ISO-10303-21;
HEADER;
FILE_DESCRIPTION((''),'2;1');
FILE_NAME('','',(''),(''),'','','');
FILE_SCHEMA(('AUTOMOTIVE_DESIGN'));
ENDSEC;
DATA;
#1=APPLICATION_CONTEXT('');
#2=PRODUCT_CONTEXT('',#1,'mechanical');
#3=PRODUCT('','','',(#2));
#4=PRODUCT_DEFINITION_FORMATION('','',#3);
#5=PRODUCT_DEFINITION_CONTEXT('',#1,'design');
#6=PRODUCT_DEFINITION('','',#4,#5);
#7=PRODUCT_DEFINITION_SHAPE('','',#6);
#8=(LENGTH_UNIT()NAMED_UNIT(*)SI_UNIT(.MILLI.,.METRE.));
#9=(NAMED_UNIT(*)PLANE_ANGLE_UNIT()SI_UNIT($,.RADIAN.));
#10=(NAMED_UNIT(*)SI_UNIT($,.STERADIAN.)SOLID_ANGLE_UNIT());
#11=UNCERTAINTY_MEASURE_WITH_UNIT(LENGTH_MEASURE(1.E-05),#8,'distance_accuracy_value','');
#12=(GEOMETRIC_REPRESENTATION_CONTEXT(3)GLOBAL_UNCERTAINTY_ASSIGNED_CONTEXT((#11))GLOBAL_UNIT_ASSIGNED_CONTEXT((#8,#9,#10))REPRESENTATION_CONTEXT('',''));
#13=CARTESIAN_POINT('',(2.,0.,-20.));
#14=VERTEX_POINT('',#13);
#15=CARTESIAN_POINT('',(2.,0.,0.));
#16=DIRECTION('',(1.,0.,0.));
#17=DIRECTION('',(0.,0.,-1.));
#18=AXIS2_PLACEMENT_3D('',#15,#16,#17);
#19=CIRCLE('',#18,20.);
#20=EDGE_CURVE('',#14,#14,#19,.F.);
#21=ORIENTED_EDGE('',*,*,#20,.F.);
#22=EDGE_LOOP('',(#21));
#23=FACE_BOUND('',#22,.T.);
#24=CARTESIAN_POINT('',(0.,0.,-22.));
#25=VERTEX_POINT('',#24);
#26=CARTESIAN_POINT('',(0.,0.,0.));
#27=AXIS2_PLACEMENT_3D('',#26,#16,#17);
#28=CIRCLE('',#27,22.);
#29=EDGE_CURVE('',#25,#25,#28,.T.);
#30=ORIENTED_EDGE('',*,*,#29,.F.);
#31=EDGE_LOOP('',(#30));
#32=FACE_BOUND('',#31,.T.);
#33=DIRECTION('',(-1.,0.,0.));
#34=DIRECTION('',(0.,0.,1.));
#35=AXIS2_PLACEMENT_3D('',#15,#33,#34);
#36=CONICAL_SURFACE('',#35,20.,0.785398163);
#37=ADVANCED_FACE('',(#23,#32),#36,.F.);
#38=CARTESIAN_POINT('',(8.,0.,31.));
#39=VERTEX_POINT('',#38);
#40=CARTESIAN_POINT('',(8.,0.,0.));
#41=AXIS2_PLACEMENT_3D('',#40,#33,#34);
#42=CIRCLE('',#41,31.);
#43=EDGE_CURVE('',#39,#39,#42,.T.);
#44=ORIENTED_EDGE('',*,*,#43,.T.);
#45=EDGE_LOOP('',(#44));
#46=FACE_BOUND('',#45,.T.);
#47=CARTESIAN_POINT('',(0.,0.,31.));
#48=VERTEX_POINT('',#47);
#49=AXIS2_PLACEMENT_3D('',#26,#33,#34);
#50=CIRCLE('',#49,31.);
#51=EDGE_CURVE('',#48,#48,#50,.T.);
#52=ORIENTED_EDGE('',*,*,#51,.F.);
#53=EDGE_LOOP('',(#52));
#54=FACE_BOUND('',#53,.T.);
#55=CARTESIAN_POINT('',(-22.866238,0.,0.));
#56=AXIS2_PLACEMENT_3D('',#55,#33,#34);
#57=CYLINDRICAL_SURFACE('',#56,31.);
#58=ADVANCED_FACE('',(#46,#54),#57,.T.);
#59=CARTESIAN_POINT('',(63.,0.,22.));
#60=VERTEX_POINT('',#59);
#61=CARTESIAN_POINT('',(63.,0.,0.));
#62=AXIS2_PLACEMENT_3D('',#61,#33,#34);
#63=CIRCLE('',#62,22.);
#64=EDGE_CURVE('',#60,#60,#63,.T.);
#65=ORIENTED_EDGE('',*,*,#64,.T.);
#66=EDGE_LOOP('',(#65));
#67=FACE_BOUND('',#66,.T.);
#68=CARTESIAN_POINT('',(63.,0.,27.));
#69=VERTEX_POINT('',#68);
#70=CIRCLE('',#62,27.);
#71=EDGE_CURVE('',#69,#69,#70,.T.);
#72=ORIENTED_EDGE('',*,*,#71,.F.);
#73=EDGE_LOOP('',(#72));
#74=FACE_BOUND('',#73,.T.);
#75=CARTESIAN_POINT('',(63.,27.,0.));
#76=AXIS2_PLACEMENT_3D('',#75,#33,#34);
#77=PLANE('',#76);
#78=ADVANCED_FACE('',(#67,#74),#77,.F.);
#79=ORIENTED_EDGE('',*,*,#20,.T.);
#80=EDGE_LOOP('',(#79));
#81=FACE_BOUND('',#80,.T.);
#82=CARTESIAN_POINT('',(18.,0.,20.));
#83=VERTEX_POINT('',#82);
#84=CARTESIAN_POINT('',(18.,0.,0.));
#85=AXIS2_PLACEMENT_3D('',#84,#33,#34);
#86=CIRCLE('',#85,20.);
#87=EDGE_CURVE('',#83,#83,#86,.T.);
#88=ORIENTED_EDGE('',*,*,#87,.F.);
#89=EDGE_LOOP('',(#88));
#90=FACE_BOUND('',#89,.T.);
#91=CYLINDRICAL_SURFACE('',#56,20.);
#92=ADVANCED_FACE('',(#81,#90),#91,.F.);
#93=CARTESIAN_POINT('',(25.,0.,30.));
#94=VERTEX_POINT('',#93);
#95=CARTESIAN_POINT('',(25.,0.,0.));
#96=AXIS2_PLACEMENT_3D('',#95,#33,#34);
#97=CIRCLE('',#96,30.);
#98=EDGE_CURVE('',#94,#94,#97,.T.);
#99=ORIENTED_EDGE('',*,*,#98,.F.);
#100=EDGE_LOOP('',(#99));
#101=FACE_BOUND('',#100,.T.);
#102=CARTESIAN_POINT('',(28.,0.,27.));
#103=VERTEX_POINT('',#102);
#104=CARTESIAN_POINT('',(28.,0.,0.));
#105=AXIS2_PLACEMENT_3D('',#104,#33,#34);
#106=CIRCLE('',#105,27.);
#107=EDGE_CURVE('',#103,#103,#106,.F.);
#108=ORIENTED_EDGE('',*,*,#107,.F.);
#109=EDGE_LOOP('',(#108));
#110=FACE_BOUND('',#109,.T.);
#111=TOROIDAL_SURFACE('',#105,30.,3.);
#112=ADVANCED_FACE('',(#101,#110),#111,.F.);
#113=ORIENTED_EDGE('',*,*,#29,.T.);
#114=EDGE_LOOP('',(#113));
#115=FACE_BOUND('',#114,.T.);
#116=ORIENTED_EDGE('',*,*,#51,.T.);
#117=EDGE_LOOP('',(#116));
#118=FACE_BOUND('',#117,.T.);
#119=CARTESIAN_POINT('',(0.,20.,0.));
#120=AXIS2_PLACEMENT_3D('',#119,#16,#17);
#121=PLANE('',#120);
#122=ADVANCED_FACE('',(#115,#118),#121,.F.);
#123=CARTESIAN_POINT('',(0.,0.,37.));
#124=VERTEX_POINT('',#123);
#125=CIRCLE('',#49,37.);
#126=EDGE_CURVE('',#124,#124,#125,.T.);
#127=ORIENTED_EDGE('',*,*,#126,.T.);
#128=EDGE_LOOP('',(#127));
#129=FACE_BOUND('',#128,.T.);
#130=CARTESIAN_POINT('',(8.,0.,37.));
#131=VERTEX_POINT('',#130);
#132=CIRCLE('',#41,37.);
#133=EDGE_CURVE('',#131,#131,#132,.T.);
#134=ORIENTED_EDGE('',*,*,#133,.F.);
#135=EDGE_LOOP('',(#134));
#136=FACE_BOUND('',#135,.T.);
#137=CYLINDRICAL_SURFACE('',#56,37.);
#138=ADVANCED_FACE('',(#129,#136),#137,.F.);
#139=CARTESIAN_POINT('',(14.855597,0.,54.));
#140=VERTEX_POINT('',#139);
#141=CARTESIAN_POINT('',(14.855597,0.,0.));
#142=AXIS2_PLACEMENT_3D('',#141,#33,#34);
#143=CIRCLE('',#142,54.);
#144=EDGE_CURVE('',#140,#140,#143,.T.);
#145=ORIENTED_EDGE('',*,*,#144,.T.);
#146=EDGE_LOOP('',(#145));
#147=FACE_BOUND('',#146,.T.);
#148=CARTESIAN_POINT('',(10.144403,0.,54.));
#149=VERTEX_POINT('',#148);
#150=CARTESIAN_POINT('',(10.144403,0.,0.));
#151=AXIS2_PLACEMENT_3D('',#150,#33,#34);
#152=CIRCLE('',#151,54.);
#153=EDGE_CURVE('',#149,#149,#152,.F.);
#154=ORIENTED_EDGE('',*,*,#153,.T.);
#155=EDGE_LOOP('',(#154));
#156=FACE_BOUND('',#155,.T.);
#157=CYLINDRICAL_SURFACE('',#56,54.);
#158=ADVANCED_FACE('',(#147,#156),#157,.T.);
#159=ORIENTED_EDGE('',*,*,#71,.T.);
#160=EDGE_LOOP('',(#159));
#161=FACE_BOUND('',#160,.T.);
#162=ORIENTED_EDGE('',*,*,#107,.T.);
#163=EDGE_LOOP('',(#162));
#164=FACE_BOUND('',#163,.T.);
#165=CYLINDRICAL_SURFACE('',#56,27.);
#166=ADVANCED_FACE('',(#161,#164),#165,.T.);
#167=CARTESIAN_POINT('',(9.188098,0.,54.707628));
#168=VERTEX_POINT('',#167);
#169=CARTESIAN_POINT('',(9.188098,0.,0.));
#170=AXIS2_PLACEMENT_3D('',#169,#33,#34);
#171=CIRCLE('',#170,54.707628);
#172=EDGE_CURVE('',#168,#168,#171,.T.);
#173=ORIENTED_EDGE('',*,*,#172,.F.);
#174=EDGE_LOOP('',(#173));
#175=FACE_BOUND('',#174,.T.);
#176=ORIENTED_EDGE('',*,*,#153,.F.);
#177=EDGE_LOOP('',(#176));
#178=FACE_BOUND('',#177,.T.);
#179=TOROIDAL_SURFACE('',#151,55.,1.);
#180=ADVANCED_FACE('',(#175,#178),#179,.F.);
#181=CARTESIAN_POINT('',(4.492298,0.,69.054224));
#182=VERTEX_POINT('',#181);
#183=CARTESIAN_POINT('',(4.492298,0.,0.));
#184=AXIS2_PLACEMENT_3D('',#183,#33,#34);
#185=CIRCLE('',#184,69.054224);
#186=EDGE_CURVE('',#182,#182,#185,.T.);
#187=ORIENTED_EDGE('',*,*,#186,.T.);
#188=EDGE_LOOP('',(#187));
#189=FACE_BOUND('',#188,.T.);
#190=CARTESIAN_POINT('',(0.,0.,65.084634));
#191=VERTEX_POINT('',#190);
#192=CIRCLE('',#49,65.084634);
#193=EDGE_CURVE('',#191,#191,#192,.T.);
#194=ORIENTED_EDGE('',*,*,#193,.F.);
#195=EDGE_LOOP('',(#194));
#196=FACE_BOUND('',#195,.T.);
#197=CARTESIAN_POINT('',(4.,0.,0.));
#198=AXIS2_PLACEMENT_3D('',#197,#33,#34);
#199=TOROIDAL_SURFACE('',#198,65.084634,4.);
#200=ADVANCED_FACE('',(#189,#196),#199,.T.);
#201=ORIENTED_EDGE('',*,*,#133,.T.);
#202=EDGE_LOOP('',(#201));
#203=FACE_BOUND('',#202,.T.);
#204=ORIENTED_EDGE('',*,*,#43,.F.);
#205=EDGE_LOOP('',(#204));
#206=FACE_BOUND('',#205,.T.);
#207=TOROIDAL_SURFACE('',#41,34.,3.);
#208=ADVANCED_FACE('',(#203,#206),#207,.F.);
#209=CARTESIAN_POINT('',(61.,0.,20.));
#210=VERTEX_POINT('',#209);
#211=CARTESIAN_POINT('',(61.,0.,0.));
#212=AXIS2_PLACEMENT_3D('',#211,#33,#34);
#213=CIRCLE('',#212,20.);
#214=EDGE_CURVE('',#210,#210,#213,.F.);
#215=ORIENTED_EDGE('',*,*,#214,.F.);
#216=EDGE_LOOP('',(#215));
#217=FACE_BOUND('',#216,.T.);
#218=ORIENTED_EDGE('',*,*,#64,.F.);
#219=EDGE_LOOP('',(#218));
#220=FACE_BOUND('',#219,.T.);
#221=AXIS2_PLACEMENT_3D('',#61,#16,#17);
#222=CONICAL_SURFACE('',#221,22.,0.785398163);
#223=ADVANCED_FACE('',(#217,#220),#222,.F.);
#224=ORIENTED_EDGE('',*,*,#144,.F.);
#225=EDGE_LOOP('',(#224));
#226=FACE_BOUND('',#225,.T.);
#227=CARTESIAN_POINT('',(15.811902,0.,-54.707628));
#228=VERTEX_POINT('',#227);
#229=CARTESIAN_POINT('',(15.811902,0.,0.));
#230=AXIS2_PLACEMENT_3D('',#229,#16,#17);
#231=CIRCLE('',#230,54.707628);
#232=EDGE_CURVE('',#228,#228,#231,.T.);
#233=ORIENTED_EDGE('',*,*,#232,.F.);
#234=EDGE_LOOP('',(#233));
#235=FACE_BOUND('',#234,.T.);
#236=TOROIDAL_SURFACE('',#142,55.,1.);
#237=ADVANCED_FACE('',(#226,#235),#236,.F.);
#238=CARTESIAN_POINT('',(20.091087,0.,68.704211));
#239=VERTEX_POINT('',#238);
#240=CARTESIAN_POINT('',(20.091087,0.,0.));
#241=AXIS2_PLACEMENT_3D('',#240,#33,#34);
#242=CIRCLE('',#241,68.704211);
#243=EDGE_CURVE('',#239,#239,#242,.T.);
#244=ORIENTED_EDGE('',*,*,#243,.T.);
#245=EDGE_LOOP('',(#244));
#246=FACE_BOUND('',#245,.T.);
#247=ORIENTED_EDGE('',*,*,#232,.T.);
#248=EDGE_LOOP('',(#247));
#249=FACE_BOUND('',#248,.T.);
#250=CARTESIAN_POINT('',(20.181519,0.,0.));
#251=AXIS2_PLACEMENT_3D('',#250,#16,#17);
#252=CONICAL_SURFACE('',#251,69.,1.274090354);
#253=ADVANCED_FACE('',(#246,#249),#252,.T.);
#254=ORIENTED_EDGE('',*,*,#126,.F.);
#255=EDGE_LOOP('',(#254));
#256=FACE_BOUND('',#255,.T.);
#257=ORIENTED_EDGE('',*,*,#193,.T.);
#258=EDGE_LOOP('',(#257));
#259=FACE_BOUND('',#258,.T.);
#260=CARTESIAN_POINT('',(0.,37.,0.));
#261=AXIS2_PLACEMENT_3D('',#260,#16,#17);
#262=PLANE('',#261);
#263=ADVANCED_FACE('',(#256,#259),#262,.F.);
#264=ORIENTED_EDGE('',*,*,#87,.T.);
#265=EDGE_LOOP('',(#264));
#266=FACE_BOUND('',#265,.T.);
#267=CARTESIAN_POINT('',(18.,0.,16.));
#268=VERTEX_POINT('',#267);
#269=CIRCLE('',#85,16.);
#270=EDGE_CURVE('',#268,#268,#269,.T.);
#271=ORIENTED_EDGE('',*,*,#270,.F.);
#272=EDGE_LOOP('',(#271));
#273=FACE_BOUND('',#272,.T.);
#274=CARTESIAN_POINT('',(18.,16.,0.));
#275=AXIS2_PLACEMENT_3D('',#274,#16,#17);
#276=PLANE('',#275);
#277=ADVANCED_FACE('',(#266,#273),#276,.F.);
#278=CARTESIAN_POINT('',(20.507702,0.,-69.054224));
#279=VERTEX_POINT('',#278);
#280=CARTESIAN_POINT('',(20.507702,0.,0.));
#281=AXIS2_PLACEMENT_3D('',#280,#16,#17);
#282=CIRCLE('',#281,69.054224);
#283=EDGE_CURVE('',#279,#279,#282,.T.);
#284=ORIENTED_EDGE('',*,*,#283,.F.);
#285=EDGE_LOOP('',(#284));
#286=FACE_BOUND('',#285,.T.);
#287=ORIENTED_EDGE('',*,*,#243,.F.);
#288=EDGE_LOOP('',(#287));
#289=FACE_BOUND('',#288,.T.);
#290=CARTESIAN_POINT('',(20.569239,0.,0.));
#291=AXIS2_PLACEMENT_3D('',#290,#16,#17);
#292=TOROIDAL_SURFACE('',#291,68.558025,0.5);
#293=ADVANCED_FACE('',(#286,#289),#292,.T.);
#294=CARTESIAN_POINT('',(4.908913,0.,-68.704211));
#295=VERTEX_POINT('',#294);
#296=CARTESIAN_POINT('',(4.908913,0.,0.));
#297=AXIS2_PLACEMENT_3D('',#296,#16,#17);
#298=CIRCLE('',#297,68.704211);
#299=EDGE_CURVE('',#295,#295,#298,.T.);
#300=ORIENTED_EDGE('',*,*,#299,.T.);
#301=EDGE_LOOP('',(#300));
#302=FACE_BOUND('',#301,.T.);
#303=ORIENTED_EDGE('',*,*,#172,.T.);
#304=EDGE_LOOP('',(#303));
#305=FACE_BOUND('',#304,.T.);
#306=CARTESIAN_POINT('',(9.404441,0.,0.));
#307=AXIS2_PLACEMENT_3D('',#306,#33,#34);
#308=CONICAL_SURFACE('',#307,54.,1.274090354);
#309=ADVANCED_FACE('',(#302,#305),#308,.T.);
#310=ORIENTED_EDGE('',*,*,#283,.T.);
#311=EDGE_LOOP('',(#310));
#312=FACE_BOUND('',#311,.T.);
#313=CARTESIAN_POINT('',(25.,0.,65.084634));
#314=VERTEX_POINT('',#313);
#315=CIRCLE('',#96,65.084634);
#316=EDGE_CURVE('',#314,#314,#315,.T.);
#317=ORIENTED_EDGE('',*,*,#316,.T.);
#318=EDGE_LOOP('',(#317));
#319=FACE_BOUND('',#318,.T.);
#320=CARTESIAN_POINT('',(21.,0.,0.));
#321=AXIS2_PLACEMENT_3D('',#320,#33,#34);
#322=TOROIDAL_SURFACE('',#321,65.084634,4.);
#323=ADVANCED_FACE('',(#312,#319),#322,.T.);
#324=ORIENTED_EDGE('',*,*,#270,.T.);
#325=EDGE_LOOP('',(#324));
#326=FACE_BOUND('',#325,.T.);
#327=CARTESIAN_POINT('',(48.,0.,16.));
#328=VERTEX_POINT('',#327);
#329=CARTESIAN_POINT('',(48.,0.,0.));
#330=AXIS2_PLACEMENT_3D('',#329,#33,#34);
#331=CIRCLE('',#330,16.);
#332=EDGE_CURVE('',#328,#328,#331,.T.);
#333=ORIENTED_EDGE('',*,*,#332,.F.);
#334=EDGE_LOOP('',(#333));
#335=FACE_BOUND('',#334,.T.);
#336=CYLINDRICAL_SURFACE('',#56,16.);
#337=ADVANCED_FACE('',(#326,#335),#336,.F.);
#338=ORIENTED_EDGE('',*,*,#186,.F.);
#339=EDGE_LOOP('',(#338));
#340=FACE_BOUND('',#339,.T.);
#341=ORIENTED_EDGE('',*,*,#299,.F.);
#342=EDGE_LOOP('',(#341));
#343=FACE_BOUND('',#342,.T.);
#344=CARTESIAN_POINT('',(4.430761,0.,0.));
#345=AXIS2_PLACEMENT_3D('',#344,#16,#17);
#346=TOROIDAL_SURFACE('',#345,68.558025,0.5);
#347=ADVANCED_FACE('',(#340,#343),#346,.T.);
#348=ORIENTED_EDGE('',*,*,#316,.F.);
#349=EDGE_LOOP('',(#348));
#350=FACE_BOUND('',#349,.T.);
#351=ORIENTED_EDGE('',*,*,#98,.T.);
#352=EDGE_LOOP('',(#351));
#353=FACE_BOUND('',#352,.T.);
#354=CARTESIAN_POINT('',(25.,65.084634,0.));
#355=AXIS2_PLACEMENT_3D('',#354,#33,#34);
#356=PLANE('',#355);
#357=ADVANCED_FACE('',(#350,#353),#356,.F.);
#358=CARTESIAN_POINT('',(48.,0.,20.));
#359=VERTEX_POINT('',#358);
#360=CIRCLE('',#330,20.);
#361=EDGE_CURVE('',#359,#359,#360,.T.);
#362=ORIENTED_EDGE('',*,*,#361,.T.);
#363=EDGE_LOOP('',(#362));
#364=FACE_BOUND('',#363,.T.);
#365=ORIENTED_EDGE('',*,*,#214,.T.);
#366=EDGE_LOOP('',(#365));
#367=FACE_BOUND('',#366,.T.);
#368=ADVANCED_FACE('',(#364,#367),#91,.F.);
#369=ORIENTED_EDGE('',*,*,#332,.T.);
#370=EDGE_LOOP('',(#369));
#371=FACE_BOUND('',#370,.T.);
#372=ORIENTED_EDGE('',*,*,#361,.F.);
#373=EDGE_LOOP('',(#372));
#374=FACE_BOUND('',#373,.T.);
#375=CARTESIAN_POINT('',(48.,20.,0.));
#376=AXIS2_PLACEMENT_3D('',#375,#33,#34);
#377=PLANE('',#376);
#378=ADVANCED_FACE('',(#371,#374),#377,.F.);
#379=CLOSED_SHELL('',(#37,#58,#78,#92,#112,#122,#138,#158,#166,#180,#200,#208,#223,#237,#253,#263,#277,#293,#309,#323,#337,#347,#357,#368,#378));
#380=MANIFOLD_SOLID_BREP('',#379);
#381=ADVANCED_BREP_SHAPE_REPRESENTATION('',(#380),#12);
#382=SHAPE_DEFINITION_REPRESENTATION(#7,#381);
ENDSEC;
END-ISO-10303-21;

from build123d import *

# Parameters (mm, degrees)
RACCORDO1_R  = 0.5
RACCORDO2_R  = 1
RACCORDO3_R  = 3
SMUSSO1_SIZE = 2


with BuildPart() as part:
    # Schizzo1 → Rivoluzione1 (revolve)
    with BuildSketch(Plane.XY, mode=Mode.PRIVATE) as rivoluzione1_sk:
        with BuildLine():
            Line((4.818481252, 69), (9.404441474, 54))
            Line((9.404441474, 54), (15.595558526, 54))
            Line((15.595558526, 54), (20.181518748, 69))
            ThreePointArc((20.181518748, 69), (23.522506193, 68.188980061), (25, 65.084634316))
            Line((25, 65.084634316), (25, 27))
            Line((25, 27), (63, 27))
            Line((63, 27), (63, 20))
            Line((63, 20), (48, 20))
            Line((48, 20), (48, 16))
            Line((48, 16), (18, 16))
            Line((18, 16), (18, 20))
            Line((18, 20), (0, 20))
            Line((0, 20), (0, 31))
            Line((0, 31), (8, 31))
            ThreePointArc((8, 31), (11, 34), (8, 37))
            Line((8, 37), (0, 37))
            Line((0, 37), (0, 65.084634316))
            ThreePointArc((0, 65.084634316), (1.477493807, 68.188980061), (4.818481252, 69))
        make_face()
    revolve(rivoluzione1_sk.sketch.rotate(Axis((-22.866238166, 0, 0), (1, 0, 0)), 90), axis=Axis((-22.866238166, 0, 0), (1, 0, 0)))

    # Raccordo1
    raccordo1_edges = [part.edges().sort_by_distance(p)[0] for p in [
        (20.181518748, 0, -69),
        (4.818481252, 0, -69),
    ]]
    fillet(raccordo1_edges, radius=RACCORDO1_R)

    # Raccordo2
    raccordo2_edges = [part.edges().sort_by_distance(p)[0] for p in [
        (15.595558526, 0, -54),
        (9.404441474, 0, -54),
    ]]
    fillet(raccordo2_edges, radius=RACCORDO2_R)

    # Raccordo3
    raccordo3_edges = [part.edges().sort_by_distance(p)[0] for p in [
        (25, 0, -27),
    ]]
    fillet(raccordo3_edges, radius=RACCORDO3_R)

    # Smusso1
    smusso1_edges = [part.edges().sort_by_distance(p)[0] for p in [
        (0, 0, -20),
        (63, 0, -20),
    ]]
    chamfer(smusso1_edges, length=SMUSSO1_SIZE)


solid = part.part
